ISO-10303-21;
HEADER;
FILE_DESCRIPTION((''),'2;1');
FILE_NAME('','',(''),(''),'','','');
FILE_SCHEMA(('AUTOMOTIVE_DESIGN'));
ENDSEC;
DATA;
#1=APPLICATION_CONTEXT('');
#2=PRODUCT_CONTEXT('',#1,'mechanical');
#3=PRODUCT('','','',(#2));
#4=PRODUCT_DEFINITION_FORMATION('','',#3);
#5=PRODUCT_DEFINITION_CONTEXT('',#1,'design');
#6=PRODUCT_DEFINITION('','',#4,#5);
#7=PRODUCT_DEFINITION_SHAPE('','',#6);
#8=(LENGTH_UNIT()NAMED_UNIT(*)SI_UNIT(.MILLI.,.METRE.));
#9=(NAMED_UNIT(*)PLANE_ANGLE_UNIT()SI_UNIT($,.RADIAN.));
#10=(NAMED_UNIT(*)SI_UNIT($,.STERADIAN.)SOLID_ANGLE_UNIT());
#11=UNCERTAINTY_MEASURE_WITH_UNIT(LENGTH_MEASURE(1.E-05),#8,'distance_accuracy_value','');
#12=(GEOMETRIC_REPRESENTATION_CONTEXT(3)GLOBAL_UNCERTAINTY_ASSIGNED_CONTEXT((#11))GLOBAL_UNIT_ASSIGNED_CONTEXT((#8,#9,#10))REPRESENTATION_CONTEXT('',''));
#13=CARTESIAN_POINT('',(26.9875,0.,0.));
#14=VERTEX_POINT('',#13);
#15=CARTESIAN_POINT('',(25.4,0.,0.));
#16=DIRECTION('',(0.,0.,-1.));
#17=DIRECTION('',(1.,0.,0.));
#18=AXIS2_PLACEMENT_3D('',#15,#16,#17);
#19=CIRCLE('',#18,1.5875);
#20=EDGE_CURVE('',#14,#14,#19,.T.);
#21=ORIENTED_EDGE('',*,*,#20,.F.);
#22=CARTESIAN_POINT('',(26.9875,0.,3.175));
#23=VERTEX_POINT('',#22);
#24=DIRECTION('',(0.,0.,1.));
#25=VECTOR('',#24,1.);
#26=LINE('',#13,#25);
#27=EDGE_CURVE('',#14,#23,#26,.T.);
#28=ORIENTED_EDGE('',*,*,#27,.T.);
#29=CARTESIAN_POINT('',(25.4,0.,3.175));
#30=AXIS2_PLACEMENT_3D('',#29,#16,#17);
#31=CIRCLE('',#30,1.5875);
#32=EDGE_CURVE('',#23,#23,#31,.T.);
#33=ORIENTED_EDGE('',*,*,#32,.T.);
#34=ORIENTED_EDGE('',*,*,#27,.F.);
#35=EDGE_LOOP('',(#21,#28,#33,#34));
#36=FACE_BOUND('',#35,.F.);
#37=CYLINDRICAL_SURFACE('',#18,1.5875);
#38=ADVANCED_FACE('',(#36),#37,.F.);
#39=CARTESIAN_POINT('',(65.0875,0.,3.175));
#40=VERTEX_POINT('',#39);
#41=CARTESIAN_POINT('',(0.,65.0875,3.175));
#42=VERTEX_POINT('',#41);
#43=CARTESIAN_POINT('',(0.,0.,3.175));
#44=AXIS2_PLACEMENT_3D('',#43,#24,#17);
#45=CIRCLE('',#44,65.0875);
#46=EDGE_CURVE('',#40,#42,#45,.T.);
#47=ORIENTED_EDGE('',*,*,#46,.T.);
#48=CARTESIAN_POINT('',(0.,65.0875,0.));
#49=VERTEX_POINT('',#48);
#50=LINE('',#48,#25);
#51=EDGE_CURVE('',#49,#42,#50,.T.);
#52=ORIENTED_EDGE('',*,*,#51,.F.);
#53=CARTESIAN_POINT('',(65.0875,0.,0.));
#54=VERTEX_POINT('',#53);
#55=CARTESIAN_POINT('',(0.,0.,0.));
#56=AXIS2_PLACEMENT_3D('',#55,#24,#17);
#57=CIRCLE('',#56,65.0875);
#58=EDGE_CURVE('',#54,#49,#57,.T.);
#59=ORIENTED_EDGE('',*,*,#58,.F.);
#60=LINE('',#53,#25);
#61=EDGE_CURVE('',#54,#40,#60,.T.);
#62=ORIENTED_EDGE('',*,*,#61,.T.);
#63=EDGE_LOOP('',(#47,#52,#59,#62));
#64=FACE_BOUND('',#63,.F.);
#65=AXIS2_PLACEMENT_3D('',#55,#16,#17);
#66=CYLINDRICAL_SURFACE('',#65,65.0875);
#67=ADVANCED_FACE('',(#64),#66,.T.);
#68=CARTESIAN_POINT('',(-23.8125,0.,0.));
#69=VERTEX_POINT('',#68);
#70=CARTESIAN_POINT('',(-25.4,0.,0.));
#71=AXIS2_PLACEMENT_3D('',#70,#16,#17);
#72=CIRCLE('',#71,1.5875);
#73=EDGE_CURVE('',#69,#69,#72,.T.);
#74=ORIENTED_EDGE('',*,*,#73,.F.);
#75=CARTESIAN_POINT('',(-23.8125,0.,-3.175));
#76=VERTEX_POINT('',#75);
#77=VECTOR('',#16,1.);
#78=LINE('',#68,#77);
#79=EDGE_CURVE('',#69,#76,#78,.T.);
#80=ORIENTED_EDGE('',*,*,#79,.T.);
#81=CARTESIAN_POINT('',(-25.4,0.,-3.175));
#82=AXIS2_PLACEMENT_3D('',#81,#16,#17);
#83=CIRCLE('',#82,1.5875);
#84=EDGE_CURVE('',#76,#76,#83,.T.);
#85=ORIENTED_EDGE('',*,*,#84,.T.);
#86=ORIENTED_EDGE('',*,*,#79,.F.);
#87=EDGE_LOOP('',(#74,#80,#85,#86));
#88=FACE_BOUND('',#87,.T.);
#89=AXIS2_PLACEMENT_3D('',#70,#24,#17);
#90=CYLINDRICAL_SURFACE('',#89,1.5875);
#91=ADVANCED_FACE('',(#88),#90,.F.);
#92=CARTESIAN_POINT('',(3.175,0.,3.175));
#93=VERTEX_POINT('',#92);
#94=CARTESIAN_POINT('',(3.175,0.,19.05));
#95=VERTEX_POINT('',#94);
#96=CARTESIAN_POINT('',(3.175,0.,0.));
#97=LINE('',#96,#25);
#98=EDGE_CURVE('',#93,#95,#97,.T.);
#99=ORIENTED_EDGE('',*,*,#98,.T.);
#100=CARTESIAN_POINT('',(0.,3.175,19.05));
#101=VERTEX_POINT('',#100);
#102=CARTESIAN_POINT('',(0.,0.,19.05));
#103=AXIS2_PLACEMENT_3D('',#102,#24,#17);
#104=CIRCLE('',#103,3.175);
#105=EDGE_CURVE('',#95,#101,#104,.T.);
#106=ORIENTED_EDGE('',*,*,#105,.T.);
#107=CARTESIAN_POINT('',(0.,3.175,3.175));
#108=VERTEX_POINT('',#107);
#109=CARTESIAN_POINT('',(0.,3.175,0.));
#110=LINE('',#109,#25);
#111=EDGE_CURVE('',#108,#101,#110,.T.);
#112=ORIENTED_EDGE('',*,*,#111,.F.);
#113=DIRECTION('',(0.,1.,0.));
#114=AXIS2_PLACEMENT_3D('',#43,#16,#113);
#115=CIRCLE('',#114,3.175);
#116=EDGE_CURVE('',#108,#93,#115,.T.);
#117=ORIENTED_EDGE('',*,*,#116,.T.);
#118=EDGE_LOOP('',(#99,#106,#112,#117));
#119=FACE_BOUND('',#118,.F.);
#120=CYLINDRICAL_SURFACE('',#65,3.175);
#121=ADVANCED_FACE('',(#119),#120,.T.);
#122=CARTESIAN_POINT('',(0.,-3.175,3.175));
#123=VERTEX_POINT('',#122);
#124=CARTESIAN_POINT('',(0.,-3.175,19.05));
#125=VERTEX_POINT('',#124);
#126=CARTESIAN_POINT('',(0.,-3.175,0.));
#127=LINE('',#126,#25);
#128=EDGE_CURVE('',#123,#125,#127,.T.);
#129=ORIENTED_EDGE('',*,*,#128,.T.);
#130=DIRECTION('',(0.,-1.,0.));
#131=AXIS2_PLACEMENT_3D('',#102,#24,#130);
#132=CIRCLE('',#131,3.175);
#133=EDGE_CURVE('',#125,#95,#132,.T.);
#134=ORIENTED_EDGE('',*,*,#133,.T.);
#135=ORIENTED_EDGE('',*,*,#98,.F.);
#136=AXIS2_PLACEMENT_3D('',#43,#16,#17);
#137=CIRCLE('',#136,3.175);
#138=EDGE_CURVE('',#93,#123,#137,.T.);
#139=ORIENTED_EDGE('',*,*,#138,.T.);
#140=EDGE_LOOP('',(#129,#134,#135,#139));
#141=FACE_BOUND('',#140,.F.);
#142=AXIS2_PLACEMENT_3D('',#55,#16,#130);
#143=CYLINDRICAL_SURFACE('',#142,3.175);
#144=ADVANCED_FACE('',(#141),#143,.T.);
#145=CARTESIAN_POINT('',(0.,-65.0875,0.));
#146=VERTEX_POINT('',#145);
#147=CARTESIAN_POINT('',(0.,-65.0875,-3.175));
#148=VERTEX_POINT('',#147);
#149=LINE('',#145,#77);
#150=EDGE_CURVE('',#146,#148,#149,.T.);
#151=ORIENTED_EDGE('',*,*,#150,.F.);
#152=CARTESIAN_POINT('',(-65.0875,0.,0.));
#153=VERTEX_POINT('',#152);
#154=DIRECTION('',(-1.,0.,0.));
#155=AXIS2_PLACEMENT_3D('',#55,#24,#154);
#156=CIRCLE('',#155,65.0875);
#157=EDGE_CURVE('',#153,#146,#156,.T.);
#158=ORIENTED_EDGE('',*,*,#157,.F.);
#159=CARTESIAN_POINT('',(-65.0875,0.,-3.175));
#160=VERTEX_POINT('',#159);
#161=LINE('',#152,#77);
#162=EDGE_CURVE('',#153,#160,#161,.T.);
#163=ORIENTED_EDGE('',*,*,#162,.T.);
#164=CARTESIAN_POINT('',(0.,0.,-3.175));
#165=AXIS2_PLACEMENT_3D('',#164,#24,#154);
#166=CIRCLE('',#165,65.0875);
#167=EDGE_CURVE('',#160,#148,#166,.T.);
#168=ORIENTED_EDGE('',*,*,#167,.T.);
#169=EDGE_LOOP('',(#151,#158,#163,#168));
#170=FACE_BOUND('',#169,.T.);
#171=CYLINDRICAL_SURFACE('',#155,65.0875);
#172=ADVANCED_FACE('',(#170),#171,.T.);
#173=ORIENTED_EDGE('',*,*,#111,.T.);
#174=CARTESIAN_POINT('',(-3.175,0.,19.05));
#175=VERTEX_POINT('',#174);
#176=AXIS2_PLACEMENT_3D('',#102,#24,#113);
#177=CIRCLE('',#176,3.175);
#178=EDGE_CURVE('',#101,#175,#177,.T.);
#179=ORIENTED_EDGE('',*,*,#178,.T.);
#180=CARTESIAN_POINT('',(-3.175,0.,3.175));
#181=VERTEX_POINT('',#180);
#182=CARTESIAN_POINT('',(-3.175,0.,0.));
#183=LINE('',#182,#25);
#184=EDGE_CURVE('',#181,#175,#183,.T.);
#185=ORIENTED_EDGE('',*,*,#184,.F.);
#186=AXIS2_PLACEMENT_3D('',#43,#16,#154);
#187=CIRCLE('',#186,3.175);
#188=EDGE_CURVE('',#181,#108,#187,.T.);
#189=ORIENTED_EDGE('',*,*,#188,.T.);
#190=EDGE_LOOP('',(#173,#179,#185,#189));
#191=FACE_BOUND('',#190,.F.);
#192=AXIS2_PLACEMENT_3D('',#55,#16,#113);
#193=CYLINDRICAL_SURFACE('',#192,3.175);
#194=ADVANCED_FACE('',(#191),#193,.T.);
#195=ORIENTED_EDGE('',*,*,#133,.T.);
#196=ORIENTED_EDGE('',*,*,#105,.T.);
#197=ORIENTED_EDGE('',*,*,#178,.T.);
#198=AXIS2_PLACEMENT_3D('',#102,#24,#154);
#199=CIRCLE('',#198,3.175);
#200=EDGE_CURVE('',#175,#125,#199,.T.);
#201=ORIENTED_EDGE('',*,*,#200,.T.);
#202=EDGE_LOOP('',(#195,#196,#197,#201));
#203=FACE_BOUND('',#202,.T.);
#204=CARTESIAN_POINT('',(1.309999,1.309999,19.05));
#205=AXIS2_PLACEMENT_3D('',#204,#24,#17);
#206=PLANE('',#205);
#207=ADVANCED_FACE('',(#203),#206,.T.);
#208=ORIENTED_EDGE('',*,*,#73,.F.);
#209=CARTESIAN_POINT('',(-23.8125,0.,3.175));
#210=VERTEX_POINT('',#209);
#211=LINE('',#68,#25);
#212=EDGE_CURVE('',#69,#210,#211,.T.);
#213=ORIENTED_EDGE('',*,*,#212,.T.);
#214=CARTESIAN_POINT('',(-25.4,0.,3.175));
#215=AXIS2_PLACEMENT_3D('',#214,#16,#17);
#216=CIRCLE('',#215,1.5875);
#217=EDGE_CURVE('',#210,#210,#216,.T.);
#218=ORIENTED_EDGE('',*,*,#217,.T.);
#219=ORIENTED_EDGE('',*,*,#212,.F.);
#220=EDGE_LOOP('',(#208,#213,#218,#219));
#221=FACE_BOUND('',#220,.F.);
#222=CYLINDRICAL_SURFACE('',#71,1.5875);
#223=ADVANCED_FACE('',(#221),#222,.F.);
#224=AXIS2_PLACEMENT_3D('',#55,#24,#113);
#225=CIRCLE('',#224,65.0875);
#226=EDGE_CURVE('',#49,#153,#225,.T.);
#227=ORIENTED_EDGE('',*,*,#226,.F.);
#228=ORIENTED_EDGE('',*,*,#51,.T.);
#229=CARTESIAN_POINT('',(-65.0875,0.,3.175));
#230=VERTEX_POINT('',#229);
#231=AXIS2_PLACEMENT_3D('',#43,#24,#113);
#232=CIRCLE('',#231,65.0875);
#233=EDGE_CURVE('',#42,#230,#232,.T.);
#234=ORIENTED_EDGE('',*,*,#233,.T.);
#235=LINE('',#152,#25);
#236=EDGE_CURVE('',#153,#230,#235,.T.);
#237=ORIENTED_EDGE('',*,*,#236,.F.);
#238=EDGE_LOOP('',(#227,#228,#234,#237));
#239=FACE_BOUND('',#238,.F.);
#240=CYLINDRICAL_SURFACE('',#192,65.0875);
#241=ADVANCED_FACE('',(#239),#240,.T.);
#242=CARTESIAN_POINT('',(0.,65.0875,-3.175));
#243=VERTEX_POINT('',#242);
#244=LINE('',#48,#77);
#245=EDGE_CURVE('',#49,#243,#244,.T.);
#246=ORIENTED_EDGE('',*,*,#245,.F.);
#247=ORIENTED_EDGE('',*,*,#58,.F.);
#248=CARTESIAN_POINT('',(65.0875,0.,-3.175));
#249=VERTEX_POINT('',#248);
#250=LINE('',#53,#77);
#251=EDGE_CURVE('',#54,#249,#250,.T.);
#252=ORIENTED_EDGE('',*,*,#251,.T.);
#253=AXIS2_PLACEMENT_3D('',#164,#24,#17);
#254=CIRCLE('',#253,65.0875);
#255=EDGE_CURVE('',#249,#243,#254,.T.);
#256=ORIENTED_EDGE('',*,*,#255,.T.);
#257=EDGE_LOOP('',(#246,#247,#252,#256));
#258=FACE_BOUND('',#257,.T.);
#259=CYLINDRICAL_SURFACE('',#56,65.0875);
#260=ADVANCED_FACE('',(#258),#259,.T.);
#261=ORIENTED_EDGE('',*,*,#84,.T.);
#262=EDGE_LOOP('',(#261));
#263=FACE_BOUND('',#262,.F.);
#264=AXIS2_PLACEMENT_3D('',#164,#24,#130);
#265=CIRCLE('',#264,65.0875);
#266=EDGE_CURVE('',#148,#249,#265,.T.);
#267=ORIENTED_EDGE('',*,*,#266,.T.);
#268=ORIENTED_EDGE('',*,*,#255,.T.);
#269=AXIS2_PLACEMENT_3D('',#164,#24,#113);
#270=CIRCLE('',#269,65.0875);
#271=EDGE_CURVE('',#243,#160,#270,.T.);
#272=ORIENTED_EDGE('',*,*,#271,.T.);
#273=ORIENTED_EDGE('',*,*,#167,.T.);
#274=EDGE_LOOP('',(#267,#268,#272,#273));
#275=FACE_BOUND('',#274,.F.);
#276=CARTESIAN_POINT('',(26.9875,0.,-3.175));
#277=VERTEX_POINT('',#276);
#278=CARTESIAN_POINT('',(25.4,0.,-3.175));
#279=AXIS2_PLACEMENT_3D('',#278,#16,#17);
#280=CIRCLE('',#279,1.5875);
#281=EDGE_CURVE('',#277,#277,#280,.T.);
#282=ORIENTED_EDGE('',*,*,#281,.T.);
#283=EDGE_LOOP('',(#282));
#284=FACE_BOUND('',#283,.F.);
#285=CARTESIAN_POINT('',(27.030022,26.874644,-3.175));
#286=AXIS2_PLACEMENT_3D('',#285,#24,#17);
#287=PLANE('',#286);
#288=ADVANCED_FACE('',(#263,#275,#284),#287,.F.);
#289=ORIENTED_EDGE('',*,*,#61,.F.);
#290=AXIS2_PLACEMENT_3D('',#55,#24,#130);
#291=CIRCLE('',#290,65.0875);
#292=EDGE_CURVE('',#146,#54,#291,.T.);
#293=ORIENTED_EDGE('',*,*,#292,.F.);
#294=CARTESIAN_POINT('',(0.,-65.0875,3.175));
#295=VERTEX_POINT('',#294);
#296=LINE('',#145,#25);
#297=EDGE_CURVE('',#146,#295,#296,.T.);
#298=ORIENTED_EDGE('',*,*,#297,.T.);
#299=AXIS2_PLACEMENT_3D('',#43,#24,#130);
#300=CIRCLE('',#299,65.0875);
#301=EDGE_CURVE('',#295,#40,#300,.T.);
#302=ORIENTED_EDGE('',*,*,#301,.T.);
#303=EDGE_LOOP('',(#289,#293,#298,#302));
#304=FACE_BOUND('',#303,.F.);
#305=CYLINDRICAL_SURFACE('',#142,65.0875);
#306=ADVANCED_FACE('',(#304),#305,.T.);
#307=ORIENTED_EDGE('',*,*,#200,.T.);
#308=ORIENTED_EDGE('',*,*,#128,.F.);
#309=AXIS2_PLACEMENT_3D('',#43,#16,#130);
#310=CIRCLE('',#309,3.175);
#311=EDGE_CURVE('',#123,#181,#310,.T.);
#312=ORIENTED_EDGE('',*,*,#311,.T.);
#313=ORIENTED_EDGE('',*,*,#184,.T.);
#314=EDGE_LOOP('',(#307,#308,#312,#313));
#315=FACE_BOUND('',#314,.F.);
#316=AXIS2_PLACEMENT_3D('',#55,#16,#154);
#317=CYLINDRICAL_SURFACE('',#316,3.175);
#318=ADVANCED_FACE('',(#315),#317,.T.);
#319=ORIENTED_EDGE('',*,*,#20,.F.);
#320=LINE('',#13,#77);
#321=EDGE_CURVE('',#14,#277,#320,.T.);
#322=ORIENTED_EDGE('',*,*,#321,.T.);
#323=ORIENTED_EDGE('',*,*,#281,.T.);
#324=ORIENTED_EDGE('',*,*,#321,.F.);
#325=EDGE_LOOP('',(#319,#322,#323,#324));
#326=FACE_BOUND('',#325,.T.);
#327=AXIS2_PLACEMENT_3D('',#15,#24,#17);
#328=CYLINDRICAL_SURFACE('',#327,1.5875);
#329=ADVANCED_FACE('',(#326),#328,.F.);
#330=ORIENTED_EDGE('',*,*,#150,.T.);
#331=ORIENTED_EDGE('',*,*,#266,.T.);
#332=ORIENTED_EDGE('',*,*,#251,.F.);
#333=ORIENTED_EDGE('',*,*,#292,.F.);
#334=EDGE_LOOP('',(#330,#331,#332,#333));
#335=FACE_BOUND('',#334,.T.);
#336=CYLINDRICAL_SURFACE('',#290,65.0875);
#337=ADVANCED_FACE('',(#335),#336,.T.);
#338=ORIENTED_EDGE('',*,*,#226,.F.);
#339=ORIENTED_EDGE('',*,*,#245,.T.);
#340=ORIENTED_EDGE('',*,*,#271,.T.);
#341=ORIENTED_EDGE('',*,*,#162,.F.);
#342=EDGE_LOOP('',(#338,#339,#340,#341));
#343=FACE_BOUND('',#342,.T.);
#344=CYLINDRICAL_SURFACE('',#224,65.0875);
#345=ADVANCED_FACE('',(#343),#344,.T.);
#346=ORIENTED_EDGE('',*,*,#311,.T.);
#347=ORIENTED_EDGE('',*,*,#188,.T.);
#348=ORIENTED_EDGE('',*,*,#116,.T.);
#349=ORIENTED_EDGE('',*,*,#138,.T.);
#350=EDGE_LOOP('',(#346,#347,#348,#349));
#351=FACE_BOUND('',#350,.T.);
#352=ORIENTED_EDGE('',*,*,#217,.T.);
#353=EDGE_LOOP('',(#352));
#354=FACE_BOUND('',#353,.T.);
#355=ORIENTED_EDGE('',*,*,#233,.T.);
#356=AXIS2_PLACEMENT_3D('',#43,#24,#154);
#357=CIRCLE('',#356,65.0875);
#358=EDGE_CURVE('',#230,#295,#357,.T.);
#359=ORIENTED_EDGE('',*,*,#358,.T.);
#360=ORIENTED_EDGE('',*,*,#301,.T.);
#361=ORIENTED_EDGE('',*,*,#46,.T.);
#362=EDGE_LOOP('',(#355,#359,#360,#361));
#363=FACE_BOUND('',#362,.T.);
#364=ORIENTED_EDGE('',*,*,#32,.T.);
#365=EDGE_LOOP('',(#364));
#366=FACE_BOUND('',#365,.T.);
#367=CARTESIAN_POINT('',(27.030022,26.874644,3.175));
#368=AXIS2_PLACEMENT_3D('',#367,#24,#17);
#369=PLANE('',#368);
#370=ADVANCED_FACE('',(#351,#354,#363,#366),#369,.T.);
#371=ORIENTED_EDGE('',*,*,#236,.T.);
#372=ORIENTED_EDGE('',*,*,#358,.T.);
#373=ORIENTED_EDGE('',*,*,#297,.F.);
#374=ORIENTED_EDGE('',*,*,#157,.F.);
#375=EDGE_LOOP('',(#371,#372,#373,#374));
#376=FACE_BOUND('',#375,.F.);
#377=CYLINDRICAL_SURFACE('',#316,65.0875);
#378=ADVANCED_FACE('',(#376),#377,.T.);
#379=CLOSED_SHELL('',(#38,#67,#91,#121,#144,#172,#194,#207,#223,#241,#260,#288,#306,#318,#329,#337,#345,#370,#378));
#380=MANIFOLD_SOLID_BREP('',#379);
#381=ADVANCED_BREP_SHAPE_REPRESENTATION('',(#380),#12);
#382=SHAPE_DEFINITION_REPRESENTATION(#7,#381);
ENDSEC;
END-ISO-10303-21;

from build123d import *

# Parameters (mm, degrees)
F1_DEPTH = 19.05
F2_DEPTH = 3.175
F3_DEPTH = 3.175


with BuildPart() as f1:
    # F0 (on Top) → F1 (new body)
    with BuildSketch(Plane.XY):
        with BuildLine():
            ThreePointArc((3.175, 0), (2.2450640303, 2.2450640303), (0, 3.175))
            Line((0, 3.175), (0, 0))
            Line((0, 0), (3.175, 0))
        make_face()
        with BuildLine():
            Line((0, 0), (0, 3.175))
            ThreePointArc((0, 3.175), (-2.2450640303, 2.2450640303), (-3.175, 0))
            Line((-3.175, 0), (0, 0))
        make_face()
        with BuildLine():
            ThreePointArc((-3.175, 0), (-2.2450640303, -2.2450640303), (0, -3.175))
            Line((0, -3.175), (0, 0))
            Line((0, 0), (-3.175, 0))
        make_face()
        with BuildLine():
            Line((0, 0), (0, -3.175))
            ThreePointArc((0, -3.175), (2.2450640303, -2.2450640303), (3.175, 0))
            Line((3.175, 0), (0, 0))
        make_face()
    extrude(amount=F1_DEPTH)

    # F0 (on Top) → F2 (join)
    with BuildSketch(Plane.XY):
        with BuildLine():
            Line((26.9875, 0), (65.0875, 0))
            ThreePointArc((65.0875, 0), (46.0238126205, 46.0238126205), (0, 65.0875))
            Line((0, 65.0875), (0, 3.175))
            ThreePointArc((0, 3.175), (2.2450640303, 2.2450640303), (3.175, 0))
            Line((3.175, 0), (23.8125, 0))
            ThreePointArc((23.8125, 0), (25.4, 1.5875), (26.9875, 0))
        make_face()
        with BuildLine():
            ThreePointArc((0, -65.0875), (46.0238126205, -46.0238126205), (65.0875, 0))
            Line((65.0875, 0), (26.9875, 0))
            ThreePointArc((26.9875, 0), (25.4, -1.5875), (23.8125, 0))
            Line((23.8125, 0), (3.175, 0))
            ThreePointArc((3.175, 0), (2.2450640303, -2.2450640303), (0, -3.175))
            Line((0, -3.175), (0, -65.0875))
        make_face()
        with BuildLine():
            Line((0, 3.175), (0, 65.0875))
            ThreePointArc((0, 65.0875), (-46.0238126205, 46.0238126205), (-65.0875, 0))
            Line((-65.0875, 0), (-26.9875, 0))
            ThreePointArc((-26.9875, 0), (-25.4, 1.5875), (-23.8125, 0))
            Line((-23.8125, 0), (-3.175, 0))
            ThreePointArc((-3.175, 0), (-2.2450640303, 2.2450640303), (0, 3.175))
        make_face()
        with BuildLine():
            ThreePointArc((-65.0875, 0), (-46.0238126205, -46.0238126205), (0, -65.0875))
            Line((0, -65.0875), (0, -3.175))
            ThreePointArc((0, -3.175), (-2.2450640303, -2.2450640303), (-3.175, 0))
            Line((-3.175, 0), (-23.8125, 0))
            ThreePointArc((-23.8125, 0), (-25.4, -1.5875), (-26.9875, 0))
            Line((-26.9875, 0), (-65.0875, 0))
        make_face()
    extrude(amount=F2_DEPTH)

    # F3 (add): a face of the model
    f3_faces = [f1.faces().sort_by_distance(p)[0] for p in [
        (0, 0, 0),
    ]]
    extrude(f3_faces, amount=F3_DEPTH)


solid = f1.part
